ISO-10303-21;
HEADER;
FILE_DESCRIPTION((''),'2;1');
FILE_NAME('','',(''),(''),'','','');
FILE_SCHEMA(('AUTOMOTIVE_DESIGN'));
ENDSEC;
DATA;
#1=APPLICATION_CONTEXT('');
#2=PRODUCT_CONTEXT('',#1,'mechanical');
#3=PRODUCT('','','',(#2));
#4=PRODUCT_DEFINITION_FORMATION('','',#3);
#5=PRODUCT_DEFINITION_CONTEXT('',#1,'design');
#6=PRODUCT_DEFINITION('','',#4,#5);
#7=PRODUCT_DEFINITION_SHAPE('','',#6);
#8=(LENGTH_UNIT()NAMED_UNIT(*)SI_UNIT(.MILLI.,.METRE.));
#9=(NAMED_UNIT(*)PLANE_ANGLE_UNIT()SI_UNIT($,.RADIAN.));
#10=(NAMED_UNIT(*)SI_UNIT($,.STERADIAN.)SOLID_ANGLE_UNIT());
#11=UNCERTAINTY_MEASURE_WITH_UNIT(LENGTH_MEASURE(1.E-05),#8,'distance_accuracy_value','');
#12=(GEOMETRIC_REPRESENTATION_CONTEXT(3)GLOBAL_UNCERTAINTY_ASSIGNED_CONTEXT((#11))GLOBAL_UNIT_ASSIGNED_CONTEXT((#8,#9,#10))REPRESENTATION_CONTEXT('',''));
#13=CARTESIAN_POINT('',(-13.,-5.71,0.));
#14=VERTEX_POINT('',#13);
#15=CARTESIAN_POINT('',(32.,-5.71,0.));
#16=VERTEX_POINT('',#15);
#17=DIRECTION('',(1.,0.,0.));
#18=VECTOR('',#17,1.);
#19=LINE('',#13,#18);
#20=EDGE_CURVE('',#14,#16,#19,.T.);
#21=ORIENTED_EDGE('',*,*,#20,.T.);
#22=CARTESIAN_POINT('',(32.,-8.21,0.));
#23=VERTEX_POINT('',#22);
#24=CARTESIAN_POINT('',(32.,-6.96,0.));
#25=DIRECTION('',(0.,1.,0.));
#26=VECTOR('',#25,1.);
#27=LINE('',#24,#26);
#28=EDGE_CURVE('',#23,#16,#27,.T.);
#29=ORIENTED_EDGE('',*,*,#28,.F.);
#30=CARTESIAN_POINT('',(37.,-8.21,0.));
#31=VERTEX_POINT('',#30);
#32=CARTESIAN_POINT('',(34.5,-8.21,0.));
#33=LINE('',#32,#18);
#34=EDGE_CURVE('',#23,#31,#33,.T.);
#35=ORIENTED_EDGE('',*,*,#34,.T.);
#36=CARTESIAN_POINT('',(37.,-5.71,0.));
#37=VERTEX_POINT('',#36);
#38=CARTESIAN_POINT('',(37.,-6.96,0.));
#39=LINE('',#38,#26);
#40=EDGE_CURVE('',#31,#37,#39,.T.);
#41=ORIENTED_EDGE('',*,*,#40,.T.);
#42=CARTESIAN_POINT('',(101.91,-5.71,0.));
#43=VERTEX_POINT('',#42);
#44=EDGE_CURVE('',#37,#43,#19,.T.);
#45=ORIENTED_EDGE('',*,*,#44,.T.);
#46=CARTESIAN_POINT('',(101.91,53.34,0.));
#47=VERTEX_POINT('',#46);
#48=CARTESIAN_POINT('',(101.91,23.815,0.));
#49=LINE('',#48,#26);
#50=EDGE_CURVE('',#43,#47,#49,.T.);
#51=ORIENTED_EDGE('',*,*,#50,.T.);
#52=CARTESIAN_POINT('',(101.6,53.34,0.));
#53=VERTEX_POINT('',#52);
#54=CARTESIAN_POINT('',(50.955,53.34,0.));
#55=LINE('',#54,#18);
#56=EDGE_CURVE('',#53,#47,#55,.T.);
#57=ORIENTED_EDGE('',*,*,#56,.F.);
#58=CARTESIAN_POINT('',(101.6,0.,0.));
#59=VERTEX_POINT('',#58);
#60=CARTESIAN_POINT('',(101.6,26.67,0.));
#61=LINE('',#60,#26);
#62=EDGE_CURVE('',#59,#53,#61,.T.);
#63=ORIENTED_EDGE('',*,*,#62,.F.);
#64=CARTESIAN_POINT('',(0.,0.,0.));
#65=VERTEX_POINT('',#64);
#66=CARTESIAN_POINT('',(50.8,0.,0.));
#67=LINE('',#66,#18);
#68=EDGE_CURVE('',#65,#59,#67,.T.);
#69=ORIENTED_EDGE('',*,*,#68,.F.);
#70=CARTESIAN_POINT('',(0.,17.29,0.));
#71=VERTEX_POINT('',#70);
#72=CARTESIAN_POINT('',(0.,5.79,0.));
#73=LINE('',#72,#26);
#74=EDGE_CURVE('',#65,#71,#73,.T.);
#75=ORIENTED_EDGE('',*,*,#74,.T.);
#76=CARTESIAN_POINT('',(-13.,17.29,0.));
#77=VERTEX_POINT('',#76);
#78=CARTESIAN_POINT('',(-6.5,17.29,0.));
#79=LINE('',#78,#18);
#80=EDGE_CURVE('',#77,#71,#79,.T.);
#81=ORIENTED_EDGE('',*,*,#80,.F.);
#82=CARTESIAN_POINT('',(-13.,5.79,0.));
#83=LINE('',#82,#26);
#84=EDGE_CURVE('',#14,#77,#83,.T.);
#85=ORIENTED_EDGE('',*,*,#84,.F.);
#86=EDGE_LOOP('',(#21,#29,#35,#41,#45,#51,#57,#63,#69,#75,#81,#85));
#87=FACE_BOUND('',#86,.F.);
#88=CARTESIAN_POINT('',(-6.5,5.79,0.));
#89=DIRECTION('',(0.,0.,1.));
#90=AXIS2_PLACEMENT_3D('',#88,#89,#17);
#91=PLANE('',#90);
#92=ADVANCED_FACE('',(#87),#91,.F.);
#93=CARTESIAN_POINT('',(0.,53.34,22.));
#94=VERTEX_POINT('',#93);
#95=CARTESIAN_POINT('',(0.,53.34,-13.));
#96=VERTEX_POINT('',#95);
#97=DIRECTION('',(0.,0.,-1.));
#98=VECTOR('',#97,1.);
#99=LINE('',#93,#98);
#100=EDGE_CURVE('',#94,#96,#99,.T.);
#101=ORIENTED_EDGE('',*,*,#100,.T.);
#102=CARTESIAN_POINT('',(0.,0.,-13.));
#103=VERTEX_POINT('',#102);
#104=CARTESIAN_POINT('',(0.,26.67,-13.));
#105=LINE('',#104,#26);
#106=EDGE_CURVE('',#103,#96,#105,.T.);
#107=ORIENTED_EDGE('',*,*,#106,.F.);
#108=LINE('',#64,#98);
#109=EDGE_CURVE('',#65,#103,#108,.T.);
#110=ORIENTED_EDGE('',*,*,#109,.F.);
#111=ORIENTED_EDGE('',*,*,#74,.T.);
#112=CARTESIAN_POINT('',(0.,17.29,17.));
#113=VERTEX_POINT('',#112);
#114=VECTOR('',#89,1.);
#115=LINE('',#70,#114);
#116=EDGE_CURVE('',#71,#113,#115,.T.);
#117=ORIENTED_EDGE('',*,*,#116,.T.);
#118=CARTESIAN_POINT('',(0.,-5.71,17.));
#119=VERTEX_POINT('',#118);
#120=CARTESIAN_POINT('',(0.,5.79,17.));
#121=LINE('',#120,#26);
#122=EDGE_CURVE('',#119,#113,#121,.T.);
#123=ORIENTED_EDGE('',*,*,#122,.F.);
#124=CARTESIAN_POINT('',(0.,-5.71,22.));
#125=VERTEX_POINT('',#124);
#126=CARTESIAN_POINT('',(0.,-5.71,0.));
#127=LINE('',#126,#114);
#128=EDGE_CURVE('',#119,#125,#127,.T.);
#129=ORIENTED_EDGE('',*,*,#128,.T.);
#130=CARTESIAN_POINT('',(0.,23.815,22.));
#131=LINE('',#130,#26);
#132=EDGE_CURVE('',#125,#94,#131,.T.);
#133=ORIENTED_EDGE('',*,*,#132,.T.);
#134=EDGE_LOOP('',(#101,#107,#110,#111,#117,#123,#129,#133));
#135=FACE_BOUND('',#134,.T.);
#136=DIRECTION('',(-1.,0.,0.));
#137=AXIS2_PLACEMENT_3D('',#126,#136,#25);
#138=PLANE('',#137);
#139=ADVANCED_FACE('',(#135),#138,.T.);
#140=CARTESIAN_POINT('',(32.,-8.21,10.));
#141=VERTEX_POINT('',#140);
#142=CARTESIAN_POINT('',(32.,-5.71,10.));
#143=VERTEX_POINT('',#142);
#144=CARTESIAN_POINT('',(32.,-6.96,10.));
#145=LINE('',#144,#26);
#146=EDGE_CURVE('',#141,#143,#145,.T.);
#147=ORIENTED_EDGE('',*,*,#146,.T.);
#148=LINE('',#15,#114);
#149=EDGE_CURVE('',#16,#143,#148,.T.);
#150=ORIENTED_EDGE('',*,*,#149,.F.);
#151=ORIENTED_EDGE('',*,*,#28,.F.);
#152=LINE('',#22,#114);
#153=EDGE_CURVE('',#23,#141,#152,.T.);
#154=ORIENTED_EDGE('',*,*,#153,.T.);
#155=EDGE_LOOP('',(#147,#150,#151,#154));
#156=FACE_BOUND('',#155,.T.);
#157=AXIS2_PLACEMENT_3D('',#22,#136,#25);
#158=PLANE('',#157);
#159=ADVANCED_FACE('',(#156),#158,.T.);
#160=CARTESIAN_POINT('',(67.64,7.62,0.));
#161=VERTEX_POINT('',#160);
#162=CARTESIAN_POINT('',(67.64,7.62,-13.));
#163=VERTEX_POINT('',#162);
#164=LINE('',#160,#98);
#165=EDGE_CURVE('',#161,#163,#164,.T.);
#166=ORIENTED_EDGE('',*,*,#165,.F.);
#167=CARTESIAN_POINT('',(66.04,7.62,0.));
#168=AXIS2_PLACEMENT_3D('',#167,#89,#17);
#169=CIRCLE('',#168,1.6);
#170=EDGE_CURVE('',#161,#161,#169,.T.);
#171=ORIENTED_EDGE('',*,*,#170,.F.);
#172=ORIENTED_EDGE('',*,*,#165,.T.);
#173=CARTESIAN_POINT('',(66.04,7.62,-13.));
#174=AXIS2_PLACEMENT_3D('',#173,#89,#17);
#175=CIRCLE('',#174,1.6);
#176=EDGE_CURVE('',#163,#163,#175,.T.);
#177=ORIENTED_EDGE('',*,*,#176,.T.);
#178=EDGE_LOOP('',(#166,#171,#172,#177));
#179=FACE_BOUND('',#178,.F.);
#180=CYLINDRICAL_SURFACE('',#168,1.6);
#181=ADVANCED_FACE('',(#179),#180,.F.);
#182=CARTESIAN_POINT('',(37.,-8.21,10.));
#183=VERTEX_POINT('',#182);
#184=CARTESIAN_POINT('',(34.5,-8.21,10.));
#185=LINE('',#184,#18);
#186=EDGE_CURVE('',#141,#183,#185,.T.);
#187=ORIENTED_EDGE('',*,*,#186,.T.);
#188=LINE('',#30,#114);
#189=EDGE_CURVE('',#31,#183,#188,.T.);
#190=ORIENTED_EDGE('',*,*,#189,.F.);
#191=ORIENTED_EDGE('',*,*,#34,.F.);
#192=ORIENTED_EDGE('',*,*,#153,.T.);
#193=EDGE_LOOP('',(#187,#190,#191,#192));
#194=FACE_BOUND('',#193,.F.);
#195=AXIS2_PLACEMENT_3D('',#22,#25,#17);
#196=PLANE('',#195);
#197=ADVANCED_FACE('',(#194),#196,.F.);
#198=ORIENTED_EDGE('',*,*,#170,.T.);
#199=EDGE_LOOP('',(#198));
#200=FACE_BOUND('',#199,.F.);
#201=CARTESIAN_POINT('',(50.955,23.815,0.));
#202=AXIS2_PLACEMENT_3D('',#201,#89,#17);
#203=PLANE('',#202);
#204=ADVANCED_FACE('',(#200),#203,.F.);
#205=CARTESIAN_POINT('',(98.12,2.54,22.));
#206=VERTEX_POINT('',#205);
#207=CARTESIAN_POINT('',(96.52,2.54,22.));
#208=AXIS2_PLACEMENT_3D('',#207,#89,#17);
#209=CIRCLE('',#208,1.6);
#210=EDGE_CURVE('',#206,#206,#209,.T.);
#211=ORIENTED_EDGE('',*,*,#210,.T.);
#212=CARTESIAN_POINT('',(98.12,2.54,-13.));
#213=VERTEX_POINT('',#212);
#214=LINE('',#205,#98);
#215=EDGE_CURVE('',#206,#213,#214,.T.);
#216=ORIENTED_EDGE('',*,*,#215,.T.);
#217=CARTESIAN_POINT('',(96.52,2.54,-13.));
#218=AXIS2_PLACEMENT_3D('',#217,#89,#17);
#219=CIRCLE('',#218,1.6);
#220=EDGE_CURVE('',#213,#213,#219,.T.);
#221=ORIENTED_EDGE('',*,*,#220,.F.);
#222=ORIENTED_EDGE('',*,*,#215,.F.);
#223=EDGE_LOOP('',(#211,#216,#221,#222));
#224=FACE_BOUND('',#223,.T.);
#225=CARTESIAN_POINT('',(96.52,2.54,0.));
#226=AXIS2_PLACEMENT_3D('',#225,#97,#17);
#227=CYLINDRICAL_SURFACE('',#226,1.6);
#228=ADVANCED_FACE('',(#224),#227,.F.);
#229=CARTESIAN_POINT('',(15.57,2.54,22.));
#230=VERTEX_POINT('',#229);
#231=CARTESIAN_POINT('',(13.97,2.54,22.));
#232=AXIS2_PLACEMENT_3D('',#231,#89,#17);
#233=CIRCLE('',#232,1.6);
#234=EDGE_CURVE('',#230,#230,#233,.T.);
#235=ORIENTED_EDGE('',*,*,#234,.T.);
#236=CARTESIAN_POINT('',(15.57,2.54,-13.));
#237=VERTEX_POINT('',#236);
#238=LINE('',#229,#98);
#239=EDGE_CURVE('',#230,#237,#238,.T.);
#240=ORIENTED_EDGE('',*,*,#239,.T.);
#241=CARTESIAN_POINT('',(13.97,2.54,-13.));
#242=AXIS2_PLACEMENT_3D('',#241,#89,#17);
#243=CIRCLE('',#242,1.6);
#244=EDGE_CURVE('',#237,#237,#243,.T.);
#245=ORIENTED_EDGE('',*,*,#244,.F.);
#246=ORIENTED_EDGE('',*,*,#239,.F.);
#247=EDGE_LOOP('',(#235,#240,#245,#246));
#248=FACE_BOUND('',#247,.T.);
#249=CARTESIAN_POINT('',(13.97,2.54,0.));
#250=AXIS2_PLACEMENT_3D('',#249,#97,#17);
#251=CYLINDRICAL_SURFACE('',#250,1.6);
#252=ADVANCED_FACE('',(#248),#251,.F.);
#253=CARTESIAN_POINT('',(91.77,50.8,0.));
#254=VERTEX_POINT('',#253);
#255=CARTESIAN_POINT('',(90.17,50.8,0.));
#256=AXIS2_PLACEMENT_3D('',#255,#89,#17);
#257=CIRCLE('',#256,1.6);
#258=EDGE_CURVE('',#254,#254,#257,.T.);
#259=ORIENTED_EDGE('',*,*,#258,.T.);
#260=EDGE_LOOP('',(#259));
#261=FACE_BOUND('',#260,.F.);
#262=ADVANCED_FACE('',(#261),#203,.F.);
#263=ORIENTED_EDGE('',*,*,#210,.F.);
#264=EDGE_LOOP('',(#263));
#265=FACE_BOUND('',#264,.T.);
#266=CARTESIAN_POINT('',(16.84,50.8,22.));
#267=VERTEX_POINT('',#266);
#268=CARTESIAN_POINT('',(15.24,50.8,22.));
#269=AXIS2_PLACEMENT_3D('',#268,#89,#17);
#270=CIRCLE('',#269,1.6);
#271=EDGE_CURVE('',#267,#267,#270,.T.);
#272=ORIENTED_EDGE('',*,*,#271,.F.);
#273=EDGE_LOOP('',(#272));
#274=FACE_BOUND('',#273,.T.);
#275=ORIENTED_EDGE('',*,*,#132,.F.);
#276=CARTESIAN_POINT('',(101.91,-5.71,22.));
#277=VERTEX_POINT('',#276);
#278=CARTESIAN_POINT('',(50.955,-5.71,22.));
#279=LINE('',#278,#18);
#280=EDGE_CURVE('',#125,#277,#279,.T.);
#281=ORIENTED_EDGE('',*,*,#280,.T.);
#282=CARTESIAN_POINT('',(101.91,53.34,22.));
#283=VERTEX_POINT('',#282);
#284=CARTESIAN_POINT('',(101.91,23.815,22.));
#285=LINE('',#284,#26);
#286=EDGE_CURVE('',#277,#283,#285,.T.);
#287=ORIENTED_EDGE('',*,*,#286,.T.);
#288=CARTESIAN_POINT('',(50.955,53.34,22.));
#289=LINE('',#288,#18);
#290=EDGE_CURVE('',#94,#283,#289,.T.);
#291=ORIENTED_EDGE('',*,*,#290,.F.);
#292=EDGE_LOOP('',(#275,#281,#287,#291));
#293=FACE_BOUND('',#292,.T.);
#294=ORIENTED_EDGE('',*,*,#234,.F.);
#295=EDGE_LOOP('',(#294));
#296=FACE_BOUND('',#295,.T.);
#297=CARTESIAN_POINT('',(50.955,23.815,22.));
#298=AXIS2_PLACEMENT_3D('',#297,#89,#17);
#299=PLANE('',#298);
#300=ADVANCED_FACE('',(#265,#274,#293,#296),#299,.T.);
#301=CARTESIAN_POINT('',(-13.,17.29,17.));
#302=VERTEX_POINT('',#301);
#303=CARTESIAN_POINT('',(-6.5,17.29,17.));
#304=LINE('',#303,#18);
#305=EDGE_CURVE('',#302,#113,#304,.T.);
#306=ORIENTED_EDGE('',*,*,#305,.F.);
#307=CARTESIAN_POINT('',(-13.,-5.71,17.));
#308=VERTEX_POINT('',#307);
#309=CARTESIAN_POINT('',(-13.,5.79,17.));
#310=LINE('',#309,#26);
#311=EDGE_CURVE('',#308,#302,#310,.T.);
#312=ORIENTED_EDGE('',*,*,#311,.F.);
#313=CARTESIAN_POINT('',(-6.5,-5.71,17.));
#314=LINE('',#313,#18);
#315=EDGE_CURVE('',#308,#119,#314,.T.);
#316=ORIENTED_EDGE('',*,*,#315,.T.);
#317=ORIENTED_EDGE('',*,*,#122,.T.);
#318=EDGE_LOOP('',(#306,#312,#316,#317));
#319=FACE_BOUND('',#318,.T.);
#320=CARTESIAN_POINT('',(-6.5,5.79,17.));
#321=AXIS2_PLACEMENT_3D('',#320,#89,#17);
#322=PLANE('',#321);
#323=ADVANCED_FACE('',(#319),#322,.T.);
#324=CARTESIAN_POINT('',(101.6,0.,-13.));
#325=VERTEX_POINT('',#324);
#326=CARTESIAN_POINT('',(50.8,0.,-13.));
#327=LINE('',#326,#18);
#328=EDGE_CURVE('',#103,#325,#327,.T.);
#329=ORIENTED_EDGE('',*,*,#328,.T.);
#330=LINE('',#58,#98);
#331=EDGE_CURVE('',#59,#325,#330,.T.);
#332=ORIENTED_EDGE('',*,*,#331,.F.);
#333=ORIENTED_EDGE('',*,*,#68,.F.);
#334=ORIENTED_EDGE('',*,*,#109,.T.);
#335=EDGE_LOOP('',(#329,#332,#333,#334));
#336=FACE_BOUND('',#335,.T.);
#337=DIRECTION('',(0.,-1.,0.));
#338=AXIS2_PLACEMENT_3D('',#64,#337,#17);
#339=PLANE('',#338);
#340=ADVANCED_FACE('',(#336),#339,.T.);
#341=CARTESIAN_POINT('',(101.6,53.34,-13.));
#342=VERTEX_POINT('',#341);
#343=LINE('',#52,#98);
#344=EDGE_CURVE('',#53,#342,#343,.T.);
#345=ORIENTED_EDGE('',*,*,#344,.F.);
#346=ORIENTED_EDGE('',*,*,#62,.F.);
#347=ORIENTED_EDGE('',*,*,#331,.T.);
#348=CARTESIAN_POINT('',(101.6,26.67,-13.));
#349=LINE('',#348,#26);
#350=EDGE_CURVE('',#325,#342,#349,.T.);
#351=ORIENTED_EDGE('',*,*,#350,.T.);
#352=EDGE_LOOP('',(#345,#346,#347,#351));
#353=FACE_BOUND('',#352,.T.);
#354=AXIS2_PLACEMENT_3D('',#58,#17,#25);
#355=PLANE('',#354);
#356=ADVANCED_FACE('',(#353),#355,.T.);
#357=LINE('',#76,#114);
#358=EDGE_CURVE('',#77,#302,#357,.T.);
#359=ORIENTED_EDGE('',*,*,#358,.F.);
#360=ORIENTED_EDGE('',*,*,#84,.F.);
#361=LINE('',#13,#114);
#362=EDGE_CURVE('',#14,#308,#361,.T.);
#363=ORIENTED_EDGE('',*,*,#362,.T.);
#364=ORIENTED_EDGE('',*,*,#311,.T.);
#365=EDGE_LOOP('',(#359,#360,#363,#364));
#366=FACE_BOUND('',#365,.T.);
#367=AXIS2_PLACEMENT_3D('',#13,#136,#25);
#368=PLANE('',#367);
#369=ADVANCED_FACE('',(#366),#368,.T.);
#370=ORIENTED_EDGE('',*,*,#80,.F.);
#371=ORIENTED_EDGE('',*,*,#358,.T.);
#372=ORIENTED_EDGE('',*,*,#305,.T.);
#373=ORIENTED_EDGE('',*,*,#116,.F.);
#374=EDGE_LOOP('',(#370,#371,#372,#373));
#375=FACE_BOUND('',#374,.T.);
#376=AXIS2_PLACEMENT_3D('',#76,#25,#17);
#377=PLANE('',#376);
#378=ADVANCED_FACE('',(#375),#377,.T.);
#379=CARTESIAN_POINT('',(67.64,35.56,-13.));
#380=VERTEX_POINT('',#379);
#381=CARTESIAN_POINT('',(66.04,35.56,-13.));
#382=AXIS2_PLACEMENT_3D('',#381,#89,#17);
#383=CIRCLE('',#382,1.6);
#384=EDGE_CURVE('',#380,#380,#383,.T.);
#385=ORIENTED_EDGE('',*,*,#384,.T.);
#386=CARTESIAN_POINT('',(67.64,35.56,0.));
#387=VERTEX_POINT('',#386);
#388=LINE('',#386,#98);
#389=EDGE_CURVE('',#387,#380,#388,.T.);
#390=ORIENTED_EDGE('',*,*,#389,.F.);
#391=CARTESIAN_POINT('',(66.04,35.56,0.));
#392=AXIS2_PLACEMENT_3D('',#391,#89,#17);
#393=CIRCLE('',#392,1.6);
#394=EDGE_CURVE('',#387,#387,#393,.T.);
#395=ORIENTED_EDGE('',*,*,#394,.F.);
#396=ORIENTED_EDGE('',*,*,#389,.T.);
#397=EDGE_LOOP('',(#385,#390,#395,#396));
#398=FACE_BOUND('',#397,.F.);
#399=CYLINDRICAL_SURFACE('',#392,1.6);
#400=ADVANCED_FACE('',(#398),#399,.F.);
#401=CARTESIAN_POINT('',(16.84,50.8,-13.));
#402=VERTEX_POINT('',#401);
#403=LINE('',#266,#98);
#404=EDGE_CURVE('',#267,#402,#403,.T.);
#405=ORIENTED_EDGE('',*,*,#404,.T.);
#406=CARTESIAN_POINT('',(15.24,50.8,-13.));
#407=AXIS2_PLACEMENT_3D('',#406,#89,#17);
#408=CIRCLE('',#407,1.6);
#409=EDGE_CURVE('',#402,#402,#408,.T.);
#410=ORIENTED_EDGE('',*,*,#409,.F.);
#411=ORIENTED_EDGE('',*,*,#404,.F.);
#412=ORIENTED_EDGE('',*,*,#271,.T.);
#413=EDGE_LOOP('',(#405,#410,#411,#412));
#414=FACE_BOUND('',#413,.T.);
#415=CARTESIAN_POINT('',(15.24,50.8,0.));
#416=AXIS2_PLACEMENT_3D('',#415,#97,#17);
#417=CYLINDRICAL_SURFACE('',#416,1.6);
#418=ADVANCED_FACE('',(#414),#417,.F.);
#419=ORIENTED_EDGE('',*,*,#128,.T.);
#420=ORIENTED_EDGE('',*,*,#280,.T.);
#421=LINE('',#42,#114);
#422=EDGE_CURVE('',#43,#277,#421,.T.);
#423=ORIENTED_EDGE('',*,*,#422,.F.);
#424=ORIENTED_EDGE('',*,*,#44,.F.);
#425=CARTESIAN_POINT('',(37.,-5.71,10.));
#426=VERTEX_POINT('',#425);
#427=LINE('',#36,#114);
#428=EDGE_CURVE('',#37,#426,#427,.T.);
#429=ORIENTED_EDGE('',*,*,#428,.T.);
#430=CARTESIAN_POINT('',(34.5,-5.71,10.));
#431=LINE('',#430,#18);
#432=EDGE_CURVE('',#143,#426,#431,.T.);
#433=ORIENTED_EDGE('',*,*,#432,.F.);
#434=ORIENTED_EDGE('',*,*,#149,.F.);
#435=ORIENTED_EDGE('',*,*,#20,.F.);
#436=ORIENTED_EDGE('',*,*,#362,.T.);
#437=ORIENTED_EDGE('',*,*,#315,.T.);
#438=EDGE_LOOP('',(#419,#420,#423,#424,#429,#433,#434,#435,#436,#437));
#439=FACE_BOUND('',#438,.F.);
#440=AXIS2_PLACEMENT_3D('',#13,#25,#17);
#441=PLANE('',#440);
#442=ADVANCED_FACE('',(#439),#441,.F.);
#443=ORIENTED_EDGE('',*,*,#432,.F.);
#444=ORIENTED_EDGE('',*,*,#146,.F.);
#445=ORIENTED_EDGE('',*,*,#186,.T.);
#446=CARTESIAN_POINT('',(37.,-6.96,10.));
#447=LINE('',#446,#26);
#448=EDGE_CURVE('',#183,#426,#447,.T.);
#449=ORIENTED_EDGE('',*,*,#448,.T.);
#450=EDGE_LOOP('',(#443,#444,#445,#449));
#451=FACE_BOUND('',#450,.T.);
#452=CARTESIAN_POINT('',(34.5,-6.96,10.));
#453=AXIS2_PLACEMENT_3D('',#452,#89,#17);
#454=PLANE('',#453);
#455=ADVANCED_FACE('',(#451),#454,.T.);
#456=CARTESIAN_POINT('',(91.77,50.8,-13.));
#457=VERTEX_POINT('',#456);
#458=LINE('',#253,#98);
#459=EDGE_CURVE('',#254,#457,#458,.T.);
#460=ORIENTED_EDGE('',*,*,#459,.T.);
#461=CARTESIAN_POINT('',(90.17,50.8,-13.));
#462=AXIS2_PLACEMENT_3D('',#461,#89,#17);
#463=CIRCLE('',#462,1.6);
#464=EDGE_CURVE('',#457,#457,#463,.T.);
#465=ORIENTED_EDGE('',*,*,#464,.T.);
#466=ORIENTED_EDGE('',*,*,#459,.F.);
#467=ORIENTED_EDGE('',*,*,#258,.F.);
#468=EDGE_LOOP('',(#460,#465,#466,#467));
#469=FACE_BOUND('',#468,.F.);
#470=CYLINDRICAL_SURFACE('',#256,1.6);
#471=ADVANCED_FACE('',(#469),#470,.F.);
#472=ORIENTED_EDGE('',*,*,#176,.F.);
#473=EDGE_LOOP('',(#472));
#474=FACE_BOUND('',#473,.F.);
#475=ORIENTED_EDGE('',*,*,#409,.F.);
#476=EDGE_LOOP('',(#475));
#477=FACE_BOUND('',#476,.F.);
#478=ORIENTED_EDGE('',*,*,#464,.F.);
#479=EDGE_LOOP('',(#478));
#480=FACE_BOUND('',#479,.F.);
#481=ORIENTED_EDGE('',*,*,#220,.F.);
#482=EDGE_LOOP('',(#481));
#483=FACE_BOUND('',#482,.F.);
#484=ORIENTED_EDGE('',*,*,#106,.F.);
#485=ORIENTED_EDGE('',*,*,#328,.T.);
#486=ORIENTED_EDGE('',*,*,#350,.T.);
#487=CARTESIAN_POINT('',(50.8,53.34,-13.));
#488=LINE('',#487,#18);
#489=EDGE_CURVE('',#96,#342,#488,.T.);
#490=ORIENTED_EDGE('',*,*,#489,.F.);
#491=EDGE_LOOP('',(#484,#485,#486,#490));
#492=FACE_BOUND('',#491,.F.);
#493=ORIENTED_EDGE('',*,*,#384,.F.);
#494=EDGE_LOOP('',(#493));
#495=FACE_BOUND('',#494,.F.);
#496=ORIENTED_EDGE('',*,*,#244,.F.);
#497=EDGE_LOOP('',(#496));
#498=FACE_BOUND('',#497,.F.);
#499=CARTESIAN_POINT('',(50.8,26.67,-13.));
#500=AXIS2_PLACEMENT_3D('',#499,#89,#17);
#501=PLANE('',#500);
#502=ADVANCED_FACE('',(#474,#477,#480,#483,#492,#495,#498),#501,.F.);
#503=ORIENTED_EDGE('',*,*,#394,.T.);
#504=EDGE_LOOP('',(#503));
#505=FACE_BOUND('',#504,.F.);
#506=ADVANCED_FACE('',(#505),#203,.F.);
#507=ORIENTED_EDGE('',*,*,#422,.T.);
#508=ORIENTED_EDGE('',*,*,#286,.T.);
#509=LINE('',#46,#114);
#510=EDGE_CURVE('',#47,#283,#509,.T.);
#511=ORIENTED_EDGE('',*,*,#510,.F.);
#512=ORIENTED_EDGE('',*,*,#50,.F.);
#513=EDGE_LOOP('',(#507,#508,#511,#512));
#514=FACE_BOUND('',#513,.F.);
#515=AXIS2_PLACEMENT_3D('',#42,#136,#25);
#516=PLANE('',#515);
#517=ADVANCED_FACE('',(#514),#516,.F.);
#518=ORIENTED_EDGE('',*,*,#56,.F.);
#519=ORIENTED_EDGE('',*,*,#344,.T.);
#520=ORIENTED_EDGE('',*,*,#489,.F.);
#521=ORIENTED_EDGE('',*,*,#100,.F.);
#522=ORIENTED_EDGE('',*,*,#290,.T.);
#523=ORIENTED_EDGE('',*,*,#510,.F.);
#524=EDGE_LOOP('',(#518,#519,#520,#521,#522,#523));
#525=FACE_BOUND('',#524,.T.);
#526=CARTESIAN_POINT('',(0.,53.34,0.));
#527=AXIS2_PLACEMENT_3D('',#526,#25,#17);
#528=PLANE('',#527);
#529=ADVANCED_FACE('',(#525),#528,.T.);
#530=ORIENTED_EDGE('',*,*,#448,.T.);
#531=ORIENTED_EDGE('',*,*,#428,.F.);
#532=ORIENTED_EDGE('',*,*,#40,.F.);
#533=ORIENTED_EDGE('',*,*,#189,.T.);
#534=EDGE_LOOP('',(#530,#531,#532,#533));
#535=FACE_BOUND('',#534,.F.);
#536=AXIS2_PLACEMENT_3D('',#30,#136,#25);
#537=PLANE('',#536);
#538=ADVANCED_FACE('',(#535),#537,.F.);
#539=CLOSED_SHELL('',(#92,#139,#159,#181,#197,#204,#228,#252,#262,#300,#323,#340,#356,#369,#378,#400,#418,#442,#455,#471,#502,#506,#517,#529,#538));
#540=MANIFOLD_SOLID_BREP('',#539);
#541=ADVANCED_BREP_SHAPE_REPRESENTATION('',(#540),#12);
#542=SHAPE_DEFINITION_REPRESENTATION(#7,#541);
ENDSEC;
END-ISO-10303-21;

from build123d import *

# Parameters (mm, degrees)
SKETCH_W     = 101.6
SKETCH_H     = 53.34
SKETCH_R     = 1.6
PAD_DEPTH    = 13
SKETCH001_W  = 101.91
SKETCH001_H  = 59.05
SKETCH001_R  = 1.6
PAD001_DEPTH = 22
SKETCH002_W  = 13
SKETCH002_H  = 23
PAD002_DEPTH = 17
SKETCH003_W  = 5
SKETCH003_H  = 2.5
PAD003_DEPTH = 10


with BuildPart() as part:
    # Sketch → Pad (new body)
    with BuildSketch(Plane.XY):
        with Locations((50.8, 26.67)):
            Rectangle(SKETCH_W, SKETCH_H)
        with Locations((13.97, 2.54)):
            Circle(SKETCH_R, mode=Mode.SUBTRACT)
        with Locations((15.24, 50.8)):
            Circle(SKETCH_R, mode=Mode.SUBTRACT)
        with Locations((90.17, 50.8)):
            Circle(SKETCH_R, mode=Mode.SUBTRACT)
        with Locations((96.52, 2.54)):
            Circle(SKETCH_R, mode=Mode.SUBTRACT)
        with Locations((66.04, 35.56)):
            Circle(SKETCH_R, mode=Mode.SUBTRACT)
        with Locations((66.04, 7.62)):
            Circle(SKETCH_R, mode=Mode.SUBTRACT)
    extrude(amount=-PAD_DEPTH)

    # Sketch001 (on DatumPlane) → Pad001 (join)
    with BuildSketch(Plane(origin=(0, -5.71, 0), x_dir=(1, 0, 0), z_dir=(0, 0, 1))):
        with Locations((50.955, 29.525)):
            Rectangle(SKETCH001_W, SKETCH001_H)
        with Locations((13.97, 8.25)):
            Circle(SKETCH001_R, mode=Mode.SUBTRACT)
        with Locations((15.24, 56.51)):
            Circle(SKETCH001_R, mode=Mode.SUBTRACT)
        with Locations((96.52, 8.25)):
            Circle(SKETCH001_R, mode=Mode.SUBTRACT)
    extrude(amount=PAD001_DEPTH)

    # Sketch002 (on DatumPlane) → Pad002 (join)
    with BuildSketch(Plane(origin=(0, -5.71, 0), x_dir=(1, 0, 0), z_dir=(0, 0, 1))):
        with Locations((-6.5, 11.5)):
            Rectangle(SKETCH002_W, SKETCH002_H)
    extrude(amount=PAD002_DEPTH)

    # Sketch003 (on DatumPlane) → Pad003 (join)
    with BuildSketch(Plane(origin=(0, -5.71, 0), x_dir=(1, 0, 0), z_dir=(0, 0, 1))):
        with Locations((34.5, -1.25)):
            Rectangle(SKETCH003_W, SKETCH003_H)
    extrude(amount=PAD003_DEPTH)


solid = part.part
